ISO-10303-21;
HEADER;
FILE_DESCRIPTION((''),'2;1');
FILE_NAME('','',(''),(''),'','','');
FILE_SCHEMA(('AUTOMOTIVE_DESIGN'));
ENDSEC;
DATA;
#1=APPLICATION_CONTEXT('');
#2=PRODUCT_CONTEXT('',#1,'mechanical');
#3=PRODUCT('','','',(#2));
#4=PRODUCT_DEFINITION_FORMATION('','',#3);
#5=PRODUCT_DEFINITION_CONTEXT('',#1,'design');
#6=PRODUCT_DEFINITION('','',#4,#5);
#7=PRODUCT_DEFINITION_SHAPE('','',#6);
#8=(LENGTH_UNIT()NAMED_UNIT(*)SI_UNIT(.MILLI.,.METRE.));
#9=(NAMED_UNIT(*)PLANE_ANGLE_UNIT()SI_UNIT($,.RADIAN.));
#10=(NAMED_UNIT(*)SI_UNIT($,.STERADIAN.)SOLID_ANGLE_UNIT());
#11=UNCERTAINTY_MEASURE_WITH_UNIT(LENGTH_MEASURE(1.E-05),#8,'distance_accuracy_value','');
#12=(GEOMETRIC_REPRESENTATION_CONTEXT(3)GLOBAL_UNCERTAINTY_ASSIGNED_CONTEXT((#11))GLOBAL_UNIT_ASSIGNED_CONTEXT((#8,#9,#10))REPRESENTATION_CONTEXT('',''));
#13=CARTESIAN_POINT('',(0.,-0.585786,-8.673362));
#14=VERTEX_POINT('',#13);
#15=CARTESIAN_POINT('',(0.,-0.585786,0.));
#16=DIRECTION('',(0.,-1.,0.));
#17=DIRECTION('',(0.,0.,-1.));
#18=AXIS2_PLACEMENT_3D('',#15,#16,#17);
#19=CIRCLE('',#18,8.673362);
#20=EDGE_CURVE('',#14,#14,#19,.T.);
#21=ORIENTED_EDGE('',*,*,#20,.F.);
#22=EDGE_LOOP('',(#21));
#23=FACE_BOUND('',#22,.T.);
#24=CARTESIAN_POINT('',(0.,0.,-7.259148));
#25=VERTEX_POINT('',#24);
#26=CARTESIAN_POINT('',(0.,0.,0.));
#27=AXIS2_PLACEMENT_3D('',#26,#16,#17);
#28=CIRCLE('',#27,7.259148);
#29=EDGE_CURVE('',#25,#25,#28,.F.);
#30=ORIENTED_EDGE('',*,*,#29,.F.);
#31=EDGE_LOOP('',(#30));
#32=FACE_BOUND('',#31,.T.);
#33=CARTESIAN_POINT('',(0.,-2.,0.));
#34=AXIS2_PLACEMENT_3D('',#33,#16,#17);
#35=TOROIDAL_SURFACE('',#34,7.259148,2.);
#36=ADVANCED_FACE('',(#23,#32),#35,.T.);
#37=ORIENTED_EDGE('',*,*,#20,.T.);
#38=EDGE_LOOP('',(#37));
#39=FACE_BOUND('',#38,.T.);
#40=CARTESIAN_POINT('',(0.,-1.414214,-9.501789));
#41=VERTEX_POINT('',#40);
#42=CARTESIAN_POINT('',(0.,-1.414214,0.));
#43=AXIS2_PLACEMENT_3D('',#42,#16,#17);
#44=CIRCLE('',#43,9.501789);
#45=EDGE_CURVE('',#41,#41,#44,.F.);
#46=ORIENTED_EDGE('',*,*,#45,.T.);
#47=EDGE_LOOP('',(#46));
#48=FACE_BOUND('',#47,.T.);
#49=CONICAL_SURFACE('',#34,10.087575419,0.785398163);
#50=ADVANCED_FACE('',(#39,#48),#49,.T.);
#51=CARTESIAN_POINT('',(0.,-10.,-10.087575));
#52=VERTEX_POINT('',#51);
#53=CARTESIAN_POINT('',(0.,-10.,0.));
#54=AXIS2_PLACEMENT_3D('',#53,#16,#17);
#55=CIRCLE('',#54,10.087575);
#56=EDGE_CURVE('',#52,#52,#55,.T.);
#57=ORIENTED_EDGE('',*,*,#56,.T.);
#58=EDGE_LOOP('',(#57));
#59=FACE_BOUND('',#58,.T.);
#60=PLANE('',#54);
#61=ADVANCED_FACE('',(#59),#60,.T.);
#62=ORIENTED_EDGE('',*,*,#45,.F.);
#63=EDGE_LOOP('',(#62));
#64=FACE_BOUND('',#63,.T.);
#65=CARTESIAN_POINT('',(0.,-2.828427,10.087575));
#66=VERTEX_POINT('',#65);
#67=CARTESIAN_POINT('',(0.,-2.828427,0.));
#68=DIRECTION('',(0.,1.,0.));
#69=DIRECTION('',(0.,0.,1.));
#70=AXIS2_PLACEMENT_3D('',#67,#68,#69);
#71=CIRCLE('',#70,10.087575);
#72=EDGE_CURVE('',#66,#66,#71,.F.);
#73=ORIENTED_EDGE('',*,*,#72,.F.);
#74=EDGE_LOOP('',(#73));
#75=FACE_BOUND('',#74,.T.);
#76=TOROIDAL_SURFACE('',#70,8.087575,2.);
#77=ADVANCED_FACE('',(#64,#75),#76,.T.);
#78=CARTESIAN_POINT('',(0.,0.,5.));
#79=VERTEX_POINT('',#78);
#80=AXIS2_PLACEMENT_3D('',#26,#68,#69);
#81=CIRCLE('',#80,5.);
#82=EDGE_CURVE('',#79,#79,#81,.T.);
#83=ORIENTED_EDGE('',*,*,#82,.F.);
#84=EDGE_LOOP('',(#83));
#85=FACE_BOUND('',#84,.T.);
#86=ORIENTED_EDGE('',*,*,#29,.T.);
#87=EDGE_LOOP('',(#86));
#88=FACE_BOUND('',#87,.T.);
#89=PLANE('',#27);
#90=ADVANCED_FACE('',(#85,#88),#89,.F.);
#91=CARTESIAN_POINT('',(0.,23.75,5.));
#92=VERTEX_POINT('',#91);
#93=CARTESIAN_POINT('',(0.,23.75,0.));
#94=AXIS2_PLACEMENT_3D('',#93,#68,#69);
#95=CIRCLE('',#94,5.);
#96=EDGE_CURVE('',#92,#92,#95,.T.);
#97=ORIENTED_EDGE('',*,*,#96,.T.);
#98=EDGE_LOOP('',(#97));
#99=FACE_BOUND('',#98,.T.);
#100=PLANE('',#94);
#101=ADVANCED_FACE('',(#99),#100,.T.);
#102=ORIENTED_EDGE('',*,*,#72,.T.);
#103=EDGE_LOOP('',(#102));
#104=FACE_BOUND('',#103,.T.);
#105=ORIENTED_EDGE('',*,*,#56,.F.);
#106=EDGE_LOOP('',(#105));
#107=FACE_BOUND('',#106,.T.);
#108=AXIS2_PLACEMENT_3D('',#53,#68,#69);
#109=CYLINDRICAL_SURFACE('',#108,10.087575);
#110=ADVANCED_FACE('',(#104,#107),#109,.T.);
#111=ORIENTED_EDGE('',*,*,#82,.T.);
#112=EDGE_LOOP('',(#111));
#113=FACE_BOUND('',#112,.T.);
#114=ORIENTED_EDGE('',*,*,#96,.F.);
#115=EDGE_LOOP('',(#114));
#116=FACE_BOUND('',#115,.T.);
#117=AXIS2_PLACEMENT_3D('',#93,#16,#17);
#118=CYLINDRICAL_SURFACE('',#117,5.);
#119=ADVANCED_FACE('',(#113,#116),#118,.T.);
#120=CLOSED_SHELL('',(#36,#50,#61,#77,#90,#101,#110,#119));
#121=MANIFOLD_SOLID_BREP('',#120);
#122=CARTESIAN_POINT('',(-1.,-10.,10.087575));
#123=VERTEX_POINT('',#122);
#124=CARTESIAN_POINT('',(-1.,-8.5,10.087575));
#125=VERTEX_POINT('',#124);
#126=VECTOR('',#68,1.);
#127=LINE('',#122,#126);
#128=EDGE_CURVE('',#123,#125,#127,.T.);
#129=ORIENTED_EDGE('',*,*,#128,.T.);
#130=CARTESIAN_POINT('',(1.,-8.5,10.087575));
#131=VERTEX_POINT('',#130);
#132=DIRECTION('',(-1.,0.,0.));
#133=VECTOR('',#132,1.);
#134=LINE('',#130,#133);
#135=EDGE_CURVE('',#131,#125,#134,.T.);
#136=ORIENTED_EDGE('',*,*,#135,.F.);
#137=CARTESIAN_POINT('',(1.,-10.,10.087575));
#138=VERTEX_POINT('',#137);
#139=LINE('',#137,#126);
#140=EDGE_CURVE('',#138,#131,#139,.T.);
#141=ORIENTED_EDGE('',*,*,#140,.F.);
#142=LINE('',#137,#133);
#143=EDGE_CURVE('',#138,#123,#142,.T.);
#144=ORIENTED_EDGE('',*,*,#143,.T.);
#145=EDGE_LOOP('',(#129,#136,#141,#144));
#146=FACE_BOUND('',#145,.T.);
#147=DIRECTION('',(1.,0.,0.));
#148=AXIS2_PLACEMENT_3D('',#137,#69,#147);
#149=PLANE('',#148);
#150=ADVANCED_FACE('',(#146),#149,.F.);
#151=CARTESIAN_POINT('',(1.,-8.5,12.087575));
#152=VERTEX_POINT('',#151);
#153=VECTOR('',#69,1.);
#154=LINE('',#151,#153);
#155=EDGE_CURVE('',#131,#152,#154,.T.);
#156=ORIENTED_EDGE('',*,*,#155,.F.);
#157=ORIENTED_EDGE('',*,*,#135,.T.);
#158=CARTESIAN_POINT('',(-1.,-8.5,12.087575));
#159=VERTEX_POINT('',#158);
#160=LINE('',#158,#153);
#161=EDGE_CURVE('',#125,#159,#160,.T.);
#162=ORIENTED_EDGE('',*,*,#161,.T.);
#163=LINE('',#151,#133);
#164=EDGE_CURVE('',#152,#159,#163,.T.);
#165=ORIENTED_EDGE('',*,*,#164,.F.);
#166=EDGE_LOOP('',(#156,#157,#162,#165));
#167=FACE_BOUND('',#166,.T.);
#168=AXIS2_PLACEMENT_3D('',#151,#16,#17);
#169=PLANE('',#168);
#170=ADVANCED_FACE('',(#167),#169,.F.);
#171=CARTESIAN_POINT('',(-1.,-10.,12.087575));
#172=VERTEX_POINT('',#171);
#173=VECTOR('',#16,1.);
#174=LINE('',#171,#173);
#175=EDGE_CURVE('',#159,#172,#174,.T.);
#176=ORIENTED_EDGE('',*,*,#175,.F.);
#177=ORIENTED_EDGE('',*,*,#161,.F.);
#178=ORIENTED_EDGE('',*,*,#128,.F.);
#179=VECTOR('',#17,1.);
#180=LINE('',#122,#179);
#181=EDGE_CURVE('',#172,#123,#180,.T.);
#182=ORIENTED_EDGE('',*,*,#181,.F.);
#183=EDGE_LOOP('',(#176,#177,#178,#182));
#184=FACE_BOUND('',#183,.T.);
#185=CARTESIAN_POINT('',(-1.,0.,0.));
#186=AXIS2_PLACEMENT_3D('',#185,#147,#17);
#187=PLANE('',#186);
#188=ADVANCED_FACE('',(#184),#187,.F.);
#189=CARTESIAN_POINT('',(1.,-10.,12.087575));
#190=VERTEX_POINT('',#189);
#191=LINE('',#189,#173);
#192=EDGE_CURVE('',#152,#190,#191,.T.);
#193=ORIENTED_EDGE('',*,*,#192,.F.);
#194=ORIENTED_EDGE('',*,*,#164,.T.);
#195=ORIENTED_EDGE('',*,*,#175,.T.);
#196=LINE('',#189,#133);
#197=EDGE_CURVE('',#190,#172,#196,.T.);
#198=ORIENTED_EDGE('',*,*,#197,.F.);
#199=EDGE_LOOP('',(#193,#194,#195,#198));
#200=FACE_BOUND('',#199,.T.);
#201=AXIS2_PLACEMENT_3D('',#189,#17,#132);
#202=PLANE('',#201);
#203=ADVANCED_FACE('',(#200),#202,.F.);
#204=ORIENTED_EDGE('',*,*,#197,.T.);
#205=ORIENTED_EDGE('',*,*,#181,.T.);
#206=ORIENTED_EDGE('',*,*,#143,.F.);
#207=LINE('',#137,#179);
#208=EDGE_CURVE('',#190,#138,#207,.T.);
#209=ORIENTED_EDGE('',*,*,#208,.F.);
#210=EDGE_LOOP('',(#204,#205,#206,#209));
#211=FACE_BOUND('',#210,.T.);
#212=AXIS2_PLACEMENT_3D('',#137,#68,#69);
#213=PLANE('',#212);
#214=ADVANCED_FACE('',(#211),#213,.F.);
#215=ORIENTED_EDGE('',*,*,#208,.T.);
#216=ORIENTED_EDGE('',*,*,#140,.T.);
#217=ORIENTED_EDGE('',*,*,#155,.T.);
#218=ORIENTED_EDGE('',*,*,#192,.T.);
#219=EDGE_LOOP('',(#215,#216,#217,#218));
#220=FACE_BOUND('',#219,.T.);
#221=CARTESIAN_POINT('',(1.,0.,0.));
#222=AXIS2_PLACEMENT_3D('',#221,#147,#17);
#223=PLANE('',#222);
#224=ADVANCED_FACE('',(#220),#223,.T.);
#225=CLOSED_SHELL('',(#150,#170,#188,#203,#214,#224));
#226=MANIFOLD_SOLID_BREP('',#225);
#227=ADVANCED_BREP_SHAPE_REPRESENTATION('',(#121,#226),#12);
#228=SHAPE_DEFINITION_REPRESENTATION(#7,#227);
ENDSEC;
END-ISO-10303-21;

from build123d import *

# Parameters (mm, degrees)
SKETCH2_R           = 5
BOSS_EXTRUDE1_DEPTH = 23.75
SKETCH3_R           = 10.087575419
BOSS_EXTRUDE2_DEPTH = 10
CHAMFER1_SIZE       = 2
FILLET2_R           = 2
FILLET3_R           = 2
SKETCH4_W           = 2
SKETCH4_H           = 1.5
BOSS_EXTRUDE3_DEPTH = 1


with BuildPart() as part:
    # Sketch2 → Boss-Extrude1 (new body)
    with BuildSketch(Plane(origin=(0, 0, 0), x_dir=(1, 0, 0), z_dir=(0, 1, 0))):
        with Locations(Location((0, 0, 0), (0, 0, 270))):
            Circle(SKETCH2_R)
    extrude(amount=BOSS_EXTRUDE1_DEPTH)

    # Sketch3 → Boss-Extrude2 (add)
    with BuildSketch(Plane.XZ):
        with Locations(Location((0, 0, 0), (0, 0, 270))):
            Circle(SKETCH3_R)
    extrude(amount=BOSS_EXTRUDE2_DEPTH)

    # Chamfer1
    chamfer1_edges = [part.edges().sort_by_distance(p)[0] for p in [
        (0, 0, 10.087575419),
    ]]
    chamfer(chamfer1_edges, length=CHAMFER1_SIZE)

    # Fillet2
    fillet2_edges = [part.edges().sort_by_distance(p)[0] for p in [
        (0, 0, 8.087575419),
    ]]
    fillet(fillet2_edges, radius=FILLET2_R)

    # Fillet3
    fillet3_edges = [part.edges().sort_by_distance(p)[0] for p in [
        (0, -2, 10.087575419),
    ]]
    fillet(fillet3_edges, radius=FILLET3_R)


with BuildPart() as body_2:
    # Sketch4 → Boss-Extrude3 (new, symmetric)
    with BuildSketch(Plane(origin=(0, 0, 0), x_dir=(0, 0, -1), z_dir=(1, 0, 0))):
        with Locations((-11.087575419, -9.25)):
            Rectangle(SKETCH4_W, SKETCH4_H)
    extrude(amount=BOSS_EXTRUDE3_DEPTH, both=True)


solid = Compound([part.part, body_2.part])
